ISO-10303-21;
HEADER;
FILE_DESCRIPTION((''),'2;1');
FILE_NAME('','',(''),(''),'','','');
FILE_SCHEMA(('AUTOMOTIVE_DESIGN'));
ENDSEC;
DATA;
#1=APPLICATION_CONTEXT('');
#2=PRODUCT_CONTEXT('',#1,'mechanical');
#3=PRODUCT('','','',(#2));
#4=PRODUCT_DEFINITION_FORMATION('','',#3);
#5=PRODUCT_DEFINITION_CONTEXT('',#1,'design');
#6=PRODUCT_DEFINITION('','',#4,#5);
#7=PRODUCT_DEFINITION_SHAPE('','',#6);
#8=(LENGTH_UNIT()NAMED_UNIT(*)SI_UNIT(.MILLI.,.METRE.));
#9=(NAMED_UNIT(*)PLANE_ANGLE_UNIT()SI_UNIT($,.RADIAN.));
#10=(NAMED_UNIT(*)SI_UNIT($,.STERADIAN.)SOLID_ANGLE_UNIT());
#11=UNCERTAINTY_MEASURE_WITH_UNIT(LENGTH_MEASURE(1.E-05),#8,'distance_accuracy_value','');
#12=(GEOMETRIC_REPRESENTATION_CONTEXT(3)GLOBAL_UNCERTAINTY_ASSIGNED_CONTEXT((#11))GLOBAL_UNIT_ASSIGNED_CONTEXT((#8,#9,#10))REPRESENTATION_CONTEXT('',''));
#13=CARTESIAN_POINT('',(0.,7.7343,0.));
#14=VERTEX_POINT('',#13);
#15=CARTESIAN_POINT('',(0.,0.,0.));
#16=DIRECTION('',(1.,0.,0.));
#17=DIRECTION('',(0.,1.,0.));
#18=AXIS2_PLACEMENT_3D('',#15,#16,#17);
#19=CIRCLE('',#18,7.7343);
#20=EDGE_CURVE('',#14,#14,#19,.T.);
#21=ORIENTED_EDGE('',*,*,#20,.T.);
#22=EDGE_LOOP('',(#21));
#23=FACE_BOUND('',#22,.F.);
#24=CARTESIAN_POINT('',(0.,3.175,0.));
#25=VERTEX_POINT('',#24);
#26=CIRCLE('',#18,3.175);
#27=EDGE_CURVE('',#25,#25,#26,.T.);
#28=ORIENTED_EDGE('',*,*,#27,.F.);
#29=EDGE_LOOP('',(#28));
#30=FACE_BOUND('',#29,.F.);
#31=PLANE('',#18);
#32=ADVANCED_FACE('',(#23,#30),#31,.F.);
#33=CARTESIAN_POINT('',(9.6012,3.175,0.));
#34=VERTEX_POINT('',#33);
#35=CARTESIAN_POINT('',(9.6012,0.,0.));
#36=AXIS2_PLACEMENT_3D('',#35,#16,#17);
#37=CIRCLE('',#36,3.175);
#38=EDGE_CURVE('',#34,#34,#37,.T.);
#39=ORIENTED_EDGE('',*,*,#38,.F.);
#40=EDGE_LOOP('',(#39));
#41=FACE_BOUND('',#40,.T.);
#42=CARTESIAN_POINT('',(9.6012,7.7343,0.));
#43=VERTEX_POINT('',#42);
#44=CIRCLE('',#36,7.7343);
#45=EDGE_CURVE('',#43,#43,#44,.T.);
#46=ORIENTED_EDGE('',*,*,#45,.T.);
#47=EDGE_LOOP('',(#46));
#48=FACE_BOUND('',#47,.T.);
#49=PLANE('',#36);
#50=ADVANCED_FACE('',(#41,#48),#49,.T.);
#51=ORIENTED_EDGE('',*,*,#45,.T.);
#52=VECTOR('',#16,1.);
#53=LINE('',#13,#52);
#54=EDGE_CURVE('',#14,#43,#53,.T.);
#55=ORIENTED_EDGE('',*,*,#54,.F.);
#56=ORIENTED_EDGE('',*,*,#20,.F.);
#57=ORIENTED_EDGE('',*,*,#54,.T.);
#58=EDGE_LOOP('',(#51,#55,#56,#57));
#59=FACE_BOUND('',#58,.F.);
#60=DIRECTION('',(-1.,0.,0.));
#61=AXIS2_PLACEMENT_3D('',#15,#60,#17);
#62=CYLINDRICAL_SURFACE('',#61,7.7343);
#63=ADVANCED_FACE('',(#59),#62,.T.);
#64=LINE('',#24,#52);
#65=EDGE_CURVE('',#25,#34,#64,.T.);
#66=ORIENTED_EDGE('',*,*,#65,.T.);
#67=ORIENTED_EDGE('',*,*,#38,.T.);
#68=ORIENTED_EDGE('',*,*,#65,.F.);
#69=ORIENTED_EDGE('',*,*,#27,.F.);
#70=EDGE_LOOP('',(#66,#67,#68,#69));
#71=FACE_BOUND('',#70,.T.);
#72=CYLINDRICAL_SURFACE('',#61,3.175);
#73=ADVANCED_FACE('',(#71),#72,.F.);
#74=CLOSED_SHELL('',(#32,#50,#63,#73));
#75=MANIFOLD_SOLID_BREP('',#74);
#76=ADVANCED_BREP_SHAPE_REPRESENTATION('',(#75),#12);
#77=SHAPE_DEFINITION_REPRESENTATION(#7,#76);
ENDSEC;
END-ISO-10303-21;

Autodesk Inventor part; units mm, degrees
ref_plane "YZ Plane" through (0, 0, 0) normal (1, 0, 0) x (0, 1, 0)
ref_plane "XZ Plane" through (0, 0, 0) normal (0, 1, 0) x (-1, 0, 0)
ref_plane "XY Plane" through (0, 0, 0) normal (0, 0, 1) x (1, 0, 0)
sketch "Sketch1" plane through (0, 0, 0) normal (1, 0, 0) x (0, 1, 0)
  circle A0 centre (0, 0) radius 7.7343
  circle A1 centre (0, 0) radius 3.175
  dimension "d0" = 15.4686
  dimension "d1" = 6.35
extrude "Extrusion1" add sketch "Sketch1" along normal blind 9.6012
properties part number "Spacer.5inBore.378Width"
